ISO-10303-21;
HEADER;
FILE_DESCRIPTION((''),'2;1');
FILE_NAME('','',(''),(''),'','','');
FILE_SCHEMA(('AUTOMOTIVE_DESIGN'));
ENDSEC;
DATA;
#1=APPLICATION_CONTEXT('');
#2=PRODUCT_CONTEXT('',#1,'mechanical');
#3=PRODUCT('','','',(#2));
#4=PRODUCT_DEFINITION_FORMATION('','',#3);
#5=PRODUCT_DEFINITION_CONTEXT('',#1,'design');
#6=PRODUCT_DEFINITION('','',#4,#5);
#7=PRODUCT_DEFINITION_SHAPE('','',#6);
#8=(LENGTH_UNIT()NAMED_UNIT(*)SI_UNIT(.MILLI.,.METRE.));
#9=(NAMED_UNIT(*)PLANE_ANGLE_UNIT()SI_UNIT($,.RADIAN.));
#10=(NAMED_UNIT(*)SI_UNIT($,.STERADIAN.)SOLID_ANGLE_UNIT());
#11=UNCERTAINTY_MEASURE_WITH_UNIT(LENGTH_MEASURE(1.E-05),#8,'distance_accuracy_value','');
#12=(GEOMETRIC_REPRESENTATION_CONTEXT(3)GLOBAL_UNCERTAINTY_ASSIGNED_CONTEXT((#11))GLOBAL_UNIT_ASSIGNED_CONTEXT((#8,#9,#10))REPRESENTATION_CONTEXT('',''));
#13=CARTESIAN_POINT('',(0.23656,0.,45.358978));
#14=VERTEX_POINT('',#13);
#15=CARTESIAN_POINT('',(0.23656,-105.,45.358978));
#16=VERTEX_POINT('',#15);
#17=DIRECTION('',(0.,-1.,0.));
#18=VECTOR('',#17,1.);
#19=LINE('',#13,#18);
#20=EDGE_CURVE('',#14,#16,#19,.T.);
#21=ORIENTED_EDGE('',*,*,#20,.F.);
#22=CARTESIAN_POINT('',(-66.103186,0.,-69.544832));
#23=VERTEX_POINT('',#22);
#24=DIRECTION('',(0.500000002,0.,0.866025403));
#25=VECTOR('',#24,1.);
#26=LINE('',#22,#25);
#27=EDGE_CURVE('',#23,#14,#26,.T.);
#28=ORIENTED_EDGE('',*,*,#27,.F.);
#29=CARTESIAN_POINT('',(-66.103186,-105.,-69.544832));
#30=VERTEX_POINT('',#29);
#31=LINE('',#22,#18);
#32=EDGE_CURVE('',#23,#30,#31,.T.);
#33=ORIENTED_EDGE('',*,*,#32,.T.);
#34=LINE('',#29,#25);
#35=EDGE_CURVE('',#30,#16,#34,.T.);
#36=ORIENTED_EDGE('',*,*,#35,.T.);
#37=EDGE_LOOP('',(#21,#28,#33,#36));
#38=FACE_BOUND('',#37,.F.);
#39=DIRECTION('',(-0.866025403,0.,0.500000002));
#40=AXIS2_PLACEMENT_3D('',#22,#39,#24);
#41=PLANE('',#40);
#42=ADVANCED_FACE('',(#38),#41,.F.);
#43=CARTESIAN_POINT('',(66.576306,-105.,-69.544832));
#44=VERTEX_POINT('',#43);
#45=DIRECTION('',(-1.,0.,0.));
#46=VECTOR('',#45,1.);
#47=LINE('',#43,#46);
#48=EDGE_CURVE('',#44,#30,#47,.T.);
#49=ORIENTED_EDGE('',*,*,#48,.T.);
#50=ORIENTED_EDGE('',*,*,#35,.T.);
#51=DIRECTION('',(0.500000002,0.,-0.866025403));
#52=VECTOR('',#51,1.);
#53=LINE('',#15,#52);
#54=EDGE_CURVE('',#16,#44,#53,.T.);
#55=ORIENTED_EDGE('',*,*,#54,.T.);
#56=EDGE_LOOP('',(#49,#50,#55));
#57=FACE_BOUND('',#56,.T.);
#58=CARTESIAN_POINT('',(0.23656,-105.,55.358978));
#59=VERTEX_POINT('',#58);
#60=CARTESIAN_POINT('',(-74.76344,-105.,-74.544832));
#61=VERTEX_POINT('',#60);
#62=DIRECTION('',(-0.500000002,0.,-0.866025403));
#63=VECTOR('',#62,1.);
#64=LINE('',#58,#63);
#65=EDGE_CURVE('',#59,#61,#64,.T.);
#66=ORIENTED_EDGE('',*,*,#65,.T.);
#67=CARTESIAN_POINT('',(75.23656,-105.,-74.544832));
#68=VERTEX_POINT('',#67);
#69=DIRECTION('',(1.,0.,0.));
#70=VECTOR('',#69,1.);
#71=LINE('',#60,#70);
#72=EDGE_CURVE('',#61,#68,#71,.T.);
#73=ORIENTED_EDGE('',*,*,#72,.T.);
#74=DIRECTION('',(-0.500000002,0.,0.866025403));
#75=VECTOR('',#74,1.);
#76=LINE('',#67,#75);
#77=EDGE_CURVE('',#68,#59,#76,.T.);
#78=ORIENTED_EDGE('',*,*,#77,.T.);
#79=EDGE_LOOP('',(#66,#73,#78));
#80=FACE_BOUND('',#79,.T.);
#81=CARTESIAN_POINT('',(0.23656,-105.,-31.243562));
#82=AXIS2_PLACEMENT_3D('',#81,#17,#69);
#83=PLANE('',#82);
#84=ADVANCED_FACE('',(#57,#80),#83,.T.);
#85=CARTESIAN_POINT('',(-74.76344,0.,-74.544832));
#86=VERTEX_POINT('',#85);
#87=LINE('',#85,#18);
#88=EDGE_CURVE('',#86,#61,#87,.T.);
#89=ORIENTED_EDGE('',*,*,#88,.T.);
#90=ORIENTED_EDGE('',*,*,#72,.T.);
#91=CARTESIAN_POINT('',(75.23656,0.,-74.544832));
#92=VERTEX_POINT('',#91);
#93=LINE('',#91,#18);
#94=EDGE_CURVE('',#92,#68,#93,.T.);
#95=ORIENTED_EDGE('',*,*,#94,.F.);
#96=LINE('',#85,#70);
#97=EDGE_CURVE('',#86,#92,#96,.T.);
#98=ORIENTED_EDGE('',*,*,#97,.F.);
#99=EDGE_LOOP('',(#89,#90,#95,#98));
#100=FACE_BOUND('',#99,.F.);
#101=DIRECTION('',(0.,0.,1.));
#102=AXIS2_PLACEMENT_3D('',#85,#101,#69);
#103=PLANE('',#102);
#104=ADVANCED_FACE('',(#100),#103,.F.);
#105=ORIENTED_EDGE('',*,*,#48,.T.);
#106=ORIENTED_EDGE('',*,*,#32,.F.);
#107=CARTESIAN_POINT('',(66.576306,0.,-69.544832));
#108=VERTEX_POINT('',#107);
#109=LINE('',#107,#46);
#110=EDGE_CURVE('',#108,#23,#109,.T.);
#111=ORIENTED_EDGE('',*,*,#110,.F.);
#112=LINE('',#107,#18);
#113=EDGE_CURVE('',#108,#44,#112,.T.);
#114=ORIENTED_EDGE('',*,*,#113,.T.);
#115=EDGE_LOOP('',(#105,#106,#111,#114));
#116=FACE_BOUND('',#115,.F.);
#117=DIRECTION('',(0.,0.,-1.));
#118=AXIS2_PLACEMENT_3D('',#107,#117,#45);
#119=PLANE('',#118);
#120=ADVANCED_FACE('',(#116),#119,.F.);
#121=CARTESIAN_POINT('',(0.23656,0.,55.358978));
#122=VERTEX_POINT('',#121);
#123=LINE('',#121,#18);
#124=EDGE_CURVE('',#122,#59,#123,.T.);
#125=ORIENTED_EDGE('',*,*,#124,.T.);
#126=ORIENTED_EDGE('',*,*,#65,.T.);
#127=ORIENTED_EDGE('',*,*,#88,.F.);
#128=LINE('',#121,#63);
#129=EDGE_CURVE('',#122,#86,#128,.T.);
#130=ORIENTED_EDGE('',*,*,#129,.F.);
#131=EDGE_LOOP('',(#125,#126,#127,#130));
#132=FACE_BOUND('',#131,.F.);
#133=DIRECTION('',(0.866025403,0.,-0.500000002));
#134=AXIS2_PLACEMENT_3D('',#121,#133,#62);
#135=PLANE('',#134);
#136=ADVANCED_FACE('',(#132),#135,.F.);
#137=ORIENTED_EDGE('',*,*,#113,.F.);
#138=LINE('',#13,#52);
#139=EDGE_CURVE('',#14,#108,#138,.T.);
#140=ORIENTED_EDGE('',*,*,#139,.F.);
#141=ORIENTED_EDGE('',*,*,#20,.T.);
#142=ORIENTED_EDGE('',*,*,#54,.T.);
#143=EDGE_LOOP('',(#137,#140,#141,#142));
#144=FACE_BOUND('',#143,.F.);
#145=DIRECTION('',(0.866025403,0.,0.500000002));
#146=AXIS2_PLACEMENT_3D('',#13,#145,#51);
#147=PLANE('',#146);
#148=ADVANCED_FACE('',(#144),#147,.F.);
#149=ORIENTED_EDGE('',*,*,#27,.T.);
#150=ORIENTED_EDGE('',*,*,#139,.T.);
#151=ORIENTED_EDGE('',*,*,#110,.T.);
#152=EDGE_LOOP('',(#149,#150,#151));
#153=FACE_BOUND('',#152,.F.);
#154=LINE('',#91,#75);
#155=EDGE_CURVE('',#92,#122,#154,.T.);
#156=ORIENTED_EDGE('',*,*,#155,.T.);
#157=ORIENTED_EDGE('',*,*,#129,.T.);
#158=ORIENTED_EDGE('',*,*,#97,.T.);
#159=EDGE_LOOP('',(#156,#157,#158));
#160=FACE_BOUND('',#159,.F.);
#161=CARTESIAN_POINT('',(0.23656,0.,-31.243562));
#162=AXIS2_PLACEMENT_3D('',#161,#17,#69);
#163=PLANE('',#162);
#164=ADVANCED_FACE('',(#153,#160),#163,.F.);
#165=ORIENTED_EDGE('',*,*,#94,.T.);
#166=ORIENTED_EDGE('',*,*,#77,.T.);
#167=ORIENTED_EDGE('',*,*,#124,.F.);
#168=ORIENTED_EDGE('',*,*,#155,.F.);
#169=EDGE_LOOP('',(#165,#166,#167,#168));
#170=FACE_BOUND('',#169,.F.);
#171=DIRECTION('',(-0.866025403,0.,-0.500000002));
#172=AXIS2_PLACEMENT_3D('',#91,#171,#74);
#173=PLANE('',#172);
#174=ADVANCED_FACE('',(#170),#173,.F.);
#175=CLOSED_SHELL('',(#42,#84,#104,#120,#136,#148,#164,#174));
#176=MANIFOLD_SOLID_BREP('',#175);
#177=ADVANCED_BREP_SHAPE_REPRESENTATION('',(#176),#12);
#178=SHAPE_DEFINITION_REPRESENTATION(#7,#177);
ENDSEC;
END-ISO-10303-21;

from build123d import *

# Parameters (mm, degrees)
F1_DEPTH = 105


with BuildPart() as f1:
    # F0 (on Front) → F1 (new body)
    with BuildSketch(Plane.XZ):
        Polygon((0.23656, 55.358978), (-74.76344, -74.544832), (75.23656, -74.544832), align=None)
        Polygon((-66.103186, -69.544832), (0.23656, 45.358978), (66.576306, -69.544832), align=None, mode=Mode.SUBTRACT)
    extrude(amount=F1_DEPTH)


solid = f1.part
